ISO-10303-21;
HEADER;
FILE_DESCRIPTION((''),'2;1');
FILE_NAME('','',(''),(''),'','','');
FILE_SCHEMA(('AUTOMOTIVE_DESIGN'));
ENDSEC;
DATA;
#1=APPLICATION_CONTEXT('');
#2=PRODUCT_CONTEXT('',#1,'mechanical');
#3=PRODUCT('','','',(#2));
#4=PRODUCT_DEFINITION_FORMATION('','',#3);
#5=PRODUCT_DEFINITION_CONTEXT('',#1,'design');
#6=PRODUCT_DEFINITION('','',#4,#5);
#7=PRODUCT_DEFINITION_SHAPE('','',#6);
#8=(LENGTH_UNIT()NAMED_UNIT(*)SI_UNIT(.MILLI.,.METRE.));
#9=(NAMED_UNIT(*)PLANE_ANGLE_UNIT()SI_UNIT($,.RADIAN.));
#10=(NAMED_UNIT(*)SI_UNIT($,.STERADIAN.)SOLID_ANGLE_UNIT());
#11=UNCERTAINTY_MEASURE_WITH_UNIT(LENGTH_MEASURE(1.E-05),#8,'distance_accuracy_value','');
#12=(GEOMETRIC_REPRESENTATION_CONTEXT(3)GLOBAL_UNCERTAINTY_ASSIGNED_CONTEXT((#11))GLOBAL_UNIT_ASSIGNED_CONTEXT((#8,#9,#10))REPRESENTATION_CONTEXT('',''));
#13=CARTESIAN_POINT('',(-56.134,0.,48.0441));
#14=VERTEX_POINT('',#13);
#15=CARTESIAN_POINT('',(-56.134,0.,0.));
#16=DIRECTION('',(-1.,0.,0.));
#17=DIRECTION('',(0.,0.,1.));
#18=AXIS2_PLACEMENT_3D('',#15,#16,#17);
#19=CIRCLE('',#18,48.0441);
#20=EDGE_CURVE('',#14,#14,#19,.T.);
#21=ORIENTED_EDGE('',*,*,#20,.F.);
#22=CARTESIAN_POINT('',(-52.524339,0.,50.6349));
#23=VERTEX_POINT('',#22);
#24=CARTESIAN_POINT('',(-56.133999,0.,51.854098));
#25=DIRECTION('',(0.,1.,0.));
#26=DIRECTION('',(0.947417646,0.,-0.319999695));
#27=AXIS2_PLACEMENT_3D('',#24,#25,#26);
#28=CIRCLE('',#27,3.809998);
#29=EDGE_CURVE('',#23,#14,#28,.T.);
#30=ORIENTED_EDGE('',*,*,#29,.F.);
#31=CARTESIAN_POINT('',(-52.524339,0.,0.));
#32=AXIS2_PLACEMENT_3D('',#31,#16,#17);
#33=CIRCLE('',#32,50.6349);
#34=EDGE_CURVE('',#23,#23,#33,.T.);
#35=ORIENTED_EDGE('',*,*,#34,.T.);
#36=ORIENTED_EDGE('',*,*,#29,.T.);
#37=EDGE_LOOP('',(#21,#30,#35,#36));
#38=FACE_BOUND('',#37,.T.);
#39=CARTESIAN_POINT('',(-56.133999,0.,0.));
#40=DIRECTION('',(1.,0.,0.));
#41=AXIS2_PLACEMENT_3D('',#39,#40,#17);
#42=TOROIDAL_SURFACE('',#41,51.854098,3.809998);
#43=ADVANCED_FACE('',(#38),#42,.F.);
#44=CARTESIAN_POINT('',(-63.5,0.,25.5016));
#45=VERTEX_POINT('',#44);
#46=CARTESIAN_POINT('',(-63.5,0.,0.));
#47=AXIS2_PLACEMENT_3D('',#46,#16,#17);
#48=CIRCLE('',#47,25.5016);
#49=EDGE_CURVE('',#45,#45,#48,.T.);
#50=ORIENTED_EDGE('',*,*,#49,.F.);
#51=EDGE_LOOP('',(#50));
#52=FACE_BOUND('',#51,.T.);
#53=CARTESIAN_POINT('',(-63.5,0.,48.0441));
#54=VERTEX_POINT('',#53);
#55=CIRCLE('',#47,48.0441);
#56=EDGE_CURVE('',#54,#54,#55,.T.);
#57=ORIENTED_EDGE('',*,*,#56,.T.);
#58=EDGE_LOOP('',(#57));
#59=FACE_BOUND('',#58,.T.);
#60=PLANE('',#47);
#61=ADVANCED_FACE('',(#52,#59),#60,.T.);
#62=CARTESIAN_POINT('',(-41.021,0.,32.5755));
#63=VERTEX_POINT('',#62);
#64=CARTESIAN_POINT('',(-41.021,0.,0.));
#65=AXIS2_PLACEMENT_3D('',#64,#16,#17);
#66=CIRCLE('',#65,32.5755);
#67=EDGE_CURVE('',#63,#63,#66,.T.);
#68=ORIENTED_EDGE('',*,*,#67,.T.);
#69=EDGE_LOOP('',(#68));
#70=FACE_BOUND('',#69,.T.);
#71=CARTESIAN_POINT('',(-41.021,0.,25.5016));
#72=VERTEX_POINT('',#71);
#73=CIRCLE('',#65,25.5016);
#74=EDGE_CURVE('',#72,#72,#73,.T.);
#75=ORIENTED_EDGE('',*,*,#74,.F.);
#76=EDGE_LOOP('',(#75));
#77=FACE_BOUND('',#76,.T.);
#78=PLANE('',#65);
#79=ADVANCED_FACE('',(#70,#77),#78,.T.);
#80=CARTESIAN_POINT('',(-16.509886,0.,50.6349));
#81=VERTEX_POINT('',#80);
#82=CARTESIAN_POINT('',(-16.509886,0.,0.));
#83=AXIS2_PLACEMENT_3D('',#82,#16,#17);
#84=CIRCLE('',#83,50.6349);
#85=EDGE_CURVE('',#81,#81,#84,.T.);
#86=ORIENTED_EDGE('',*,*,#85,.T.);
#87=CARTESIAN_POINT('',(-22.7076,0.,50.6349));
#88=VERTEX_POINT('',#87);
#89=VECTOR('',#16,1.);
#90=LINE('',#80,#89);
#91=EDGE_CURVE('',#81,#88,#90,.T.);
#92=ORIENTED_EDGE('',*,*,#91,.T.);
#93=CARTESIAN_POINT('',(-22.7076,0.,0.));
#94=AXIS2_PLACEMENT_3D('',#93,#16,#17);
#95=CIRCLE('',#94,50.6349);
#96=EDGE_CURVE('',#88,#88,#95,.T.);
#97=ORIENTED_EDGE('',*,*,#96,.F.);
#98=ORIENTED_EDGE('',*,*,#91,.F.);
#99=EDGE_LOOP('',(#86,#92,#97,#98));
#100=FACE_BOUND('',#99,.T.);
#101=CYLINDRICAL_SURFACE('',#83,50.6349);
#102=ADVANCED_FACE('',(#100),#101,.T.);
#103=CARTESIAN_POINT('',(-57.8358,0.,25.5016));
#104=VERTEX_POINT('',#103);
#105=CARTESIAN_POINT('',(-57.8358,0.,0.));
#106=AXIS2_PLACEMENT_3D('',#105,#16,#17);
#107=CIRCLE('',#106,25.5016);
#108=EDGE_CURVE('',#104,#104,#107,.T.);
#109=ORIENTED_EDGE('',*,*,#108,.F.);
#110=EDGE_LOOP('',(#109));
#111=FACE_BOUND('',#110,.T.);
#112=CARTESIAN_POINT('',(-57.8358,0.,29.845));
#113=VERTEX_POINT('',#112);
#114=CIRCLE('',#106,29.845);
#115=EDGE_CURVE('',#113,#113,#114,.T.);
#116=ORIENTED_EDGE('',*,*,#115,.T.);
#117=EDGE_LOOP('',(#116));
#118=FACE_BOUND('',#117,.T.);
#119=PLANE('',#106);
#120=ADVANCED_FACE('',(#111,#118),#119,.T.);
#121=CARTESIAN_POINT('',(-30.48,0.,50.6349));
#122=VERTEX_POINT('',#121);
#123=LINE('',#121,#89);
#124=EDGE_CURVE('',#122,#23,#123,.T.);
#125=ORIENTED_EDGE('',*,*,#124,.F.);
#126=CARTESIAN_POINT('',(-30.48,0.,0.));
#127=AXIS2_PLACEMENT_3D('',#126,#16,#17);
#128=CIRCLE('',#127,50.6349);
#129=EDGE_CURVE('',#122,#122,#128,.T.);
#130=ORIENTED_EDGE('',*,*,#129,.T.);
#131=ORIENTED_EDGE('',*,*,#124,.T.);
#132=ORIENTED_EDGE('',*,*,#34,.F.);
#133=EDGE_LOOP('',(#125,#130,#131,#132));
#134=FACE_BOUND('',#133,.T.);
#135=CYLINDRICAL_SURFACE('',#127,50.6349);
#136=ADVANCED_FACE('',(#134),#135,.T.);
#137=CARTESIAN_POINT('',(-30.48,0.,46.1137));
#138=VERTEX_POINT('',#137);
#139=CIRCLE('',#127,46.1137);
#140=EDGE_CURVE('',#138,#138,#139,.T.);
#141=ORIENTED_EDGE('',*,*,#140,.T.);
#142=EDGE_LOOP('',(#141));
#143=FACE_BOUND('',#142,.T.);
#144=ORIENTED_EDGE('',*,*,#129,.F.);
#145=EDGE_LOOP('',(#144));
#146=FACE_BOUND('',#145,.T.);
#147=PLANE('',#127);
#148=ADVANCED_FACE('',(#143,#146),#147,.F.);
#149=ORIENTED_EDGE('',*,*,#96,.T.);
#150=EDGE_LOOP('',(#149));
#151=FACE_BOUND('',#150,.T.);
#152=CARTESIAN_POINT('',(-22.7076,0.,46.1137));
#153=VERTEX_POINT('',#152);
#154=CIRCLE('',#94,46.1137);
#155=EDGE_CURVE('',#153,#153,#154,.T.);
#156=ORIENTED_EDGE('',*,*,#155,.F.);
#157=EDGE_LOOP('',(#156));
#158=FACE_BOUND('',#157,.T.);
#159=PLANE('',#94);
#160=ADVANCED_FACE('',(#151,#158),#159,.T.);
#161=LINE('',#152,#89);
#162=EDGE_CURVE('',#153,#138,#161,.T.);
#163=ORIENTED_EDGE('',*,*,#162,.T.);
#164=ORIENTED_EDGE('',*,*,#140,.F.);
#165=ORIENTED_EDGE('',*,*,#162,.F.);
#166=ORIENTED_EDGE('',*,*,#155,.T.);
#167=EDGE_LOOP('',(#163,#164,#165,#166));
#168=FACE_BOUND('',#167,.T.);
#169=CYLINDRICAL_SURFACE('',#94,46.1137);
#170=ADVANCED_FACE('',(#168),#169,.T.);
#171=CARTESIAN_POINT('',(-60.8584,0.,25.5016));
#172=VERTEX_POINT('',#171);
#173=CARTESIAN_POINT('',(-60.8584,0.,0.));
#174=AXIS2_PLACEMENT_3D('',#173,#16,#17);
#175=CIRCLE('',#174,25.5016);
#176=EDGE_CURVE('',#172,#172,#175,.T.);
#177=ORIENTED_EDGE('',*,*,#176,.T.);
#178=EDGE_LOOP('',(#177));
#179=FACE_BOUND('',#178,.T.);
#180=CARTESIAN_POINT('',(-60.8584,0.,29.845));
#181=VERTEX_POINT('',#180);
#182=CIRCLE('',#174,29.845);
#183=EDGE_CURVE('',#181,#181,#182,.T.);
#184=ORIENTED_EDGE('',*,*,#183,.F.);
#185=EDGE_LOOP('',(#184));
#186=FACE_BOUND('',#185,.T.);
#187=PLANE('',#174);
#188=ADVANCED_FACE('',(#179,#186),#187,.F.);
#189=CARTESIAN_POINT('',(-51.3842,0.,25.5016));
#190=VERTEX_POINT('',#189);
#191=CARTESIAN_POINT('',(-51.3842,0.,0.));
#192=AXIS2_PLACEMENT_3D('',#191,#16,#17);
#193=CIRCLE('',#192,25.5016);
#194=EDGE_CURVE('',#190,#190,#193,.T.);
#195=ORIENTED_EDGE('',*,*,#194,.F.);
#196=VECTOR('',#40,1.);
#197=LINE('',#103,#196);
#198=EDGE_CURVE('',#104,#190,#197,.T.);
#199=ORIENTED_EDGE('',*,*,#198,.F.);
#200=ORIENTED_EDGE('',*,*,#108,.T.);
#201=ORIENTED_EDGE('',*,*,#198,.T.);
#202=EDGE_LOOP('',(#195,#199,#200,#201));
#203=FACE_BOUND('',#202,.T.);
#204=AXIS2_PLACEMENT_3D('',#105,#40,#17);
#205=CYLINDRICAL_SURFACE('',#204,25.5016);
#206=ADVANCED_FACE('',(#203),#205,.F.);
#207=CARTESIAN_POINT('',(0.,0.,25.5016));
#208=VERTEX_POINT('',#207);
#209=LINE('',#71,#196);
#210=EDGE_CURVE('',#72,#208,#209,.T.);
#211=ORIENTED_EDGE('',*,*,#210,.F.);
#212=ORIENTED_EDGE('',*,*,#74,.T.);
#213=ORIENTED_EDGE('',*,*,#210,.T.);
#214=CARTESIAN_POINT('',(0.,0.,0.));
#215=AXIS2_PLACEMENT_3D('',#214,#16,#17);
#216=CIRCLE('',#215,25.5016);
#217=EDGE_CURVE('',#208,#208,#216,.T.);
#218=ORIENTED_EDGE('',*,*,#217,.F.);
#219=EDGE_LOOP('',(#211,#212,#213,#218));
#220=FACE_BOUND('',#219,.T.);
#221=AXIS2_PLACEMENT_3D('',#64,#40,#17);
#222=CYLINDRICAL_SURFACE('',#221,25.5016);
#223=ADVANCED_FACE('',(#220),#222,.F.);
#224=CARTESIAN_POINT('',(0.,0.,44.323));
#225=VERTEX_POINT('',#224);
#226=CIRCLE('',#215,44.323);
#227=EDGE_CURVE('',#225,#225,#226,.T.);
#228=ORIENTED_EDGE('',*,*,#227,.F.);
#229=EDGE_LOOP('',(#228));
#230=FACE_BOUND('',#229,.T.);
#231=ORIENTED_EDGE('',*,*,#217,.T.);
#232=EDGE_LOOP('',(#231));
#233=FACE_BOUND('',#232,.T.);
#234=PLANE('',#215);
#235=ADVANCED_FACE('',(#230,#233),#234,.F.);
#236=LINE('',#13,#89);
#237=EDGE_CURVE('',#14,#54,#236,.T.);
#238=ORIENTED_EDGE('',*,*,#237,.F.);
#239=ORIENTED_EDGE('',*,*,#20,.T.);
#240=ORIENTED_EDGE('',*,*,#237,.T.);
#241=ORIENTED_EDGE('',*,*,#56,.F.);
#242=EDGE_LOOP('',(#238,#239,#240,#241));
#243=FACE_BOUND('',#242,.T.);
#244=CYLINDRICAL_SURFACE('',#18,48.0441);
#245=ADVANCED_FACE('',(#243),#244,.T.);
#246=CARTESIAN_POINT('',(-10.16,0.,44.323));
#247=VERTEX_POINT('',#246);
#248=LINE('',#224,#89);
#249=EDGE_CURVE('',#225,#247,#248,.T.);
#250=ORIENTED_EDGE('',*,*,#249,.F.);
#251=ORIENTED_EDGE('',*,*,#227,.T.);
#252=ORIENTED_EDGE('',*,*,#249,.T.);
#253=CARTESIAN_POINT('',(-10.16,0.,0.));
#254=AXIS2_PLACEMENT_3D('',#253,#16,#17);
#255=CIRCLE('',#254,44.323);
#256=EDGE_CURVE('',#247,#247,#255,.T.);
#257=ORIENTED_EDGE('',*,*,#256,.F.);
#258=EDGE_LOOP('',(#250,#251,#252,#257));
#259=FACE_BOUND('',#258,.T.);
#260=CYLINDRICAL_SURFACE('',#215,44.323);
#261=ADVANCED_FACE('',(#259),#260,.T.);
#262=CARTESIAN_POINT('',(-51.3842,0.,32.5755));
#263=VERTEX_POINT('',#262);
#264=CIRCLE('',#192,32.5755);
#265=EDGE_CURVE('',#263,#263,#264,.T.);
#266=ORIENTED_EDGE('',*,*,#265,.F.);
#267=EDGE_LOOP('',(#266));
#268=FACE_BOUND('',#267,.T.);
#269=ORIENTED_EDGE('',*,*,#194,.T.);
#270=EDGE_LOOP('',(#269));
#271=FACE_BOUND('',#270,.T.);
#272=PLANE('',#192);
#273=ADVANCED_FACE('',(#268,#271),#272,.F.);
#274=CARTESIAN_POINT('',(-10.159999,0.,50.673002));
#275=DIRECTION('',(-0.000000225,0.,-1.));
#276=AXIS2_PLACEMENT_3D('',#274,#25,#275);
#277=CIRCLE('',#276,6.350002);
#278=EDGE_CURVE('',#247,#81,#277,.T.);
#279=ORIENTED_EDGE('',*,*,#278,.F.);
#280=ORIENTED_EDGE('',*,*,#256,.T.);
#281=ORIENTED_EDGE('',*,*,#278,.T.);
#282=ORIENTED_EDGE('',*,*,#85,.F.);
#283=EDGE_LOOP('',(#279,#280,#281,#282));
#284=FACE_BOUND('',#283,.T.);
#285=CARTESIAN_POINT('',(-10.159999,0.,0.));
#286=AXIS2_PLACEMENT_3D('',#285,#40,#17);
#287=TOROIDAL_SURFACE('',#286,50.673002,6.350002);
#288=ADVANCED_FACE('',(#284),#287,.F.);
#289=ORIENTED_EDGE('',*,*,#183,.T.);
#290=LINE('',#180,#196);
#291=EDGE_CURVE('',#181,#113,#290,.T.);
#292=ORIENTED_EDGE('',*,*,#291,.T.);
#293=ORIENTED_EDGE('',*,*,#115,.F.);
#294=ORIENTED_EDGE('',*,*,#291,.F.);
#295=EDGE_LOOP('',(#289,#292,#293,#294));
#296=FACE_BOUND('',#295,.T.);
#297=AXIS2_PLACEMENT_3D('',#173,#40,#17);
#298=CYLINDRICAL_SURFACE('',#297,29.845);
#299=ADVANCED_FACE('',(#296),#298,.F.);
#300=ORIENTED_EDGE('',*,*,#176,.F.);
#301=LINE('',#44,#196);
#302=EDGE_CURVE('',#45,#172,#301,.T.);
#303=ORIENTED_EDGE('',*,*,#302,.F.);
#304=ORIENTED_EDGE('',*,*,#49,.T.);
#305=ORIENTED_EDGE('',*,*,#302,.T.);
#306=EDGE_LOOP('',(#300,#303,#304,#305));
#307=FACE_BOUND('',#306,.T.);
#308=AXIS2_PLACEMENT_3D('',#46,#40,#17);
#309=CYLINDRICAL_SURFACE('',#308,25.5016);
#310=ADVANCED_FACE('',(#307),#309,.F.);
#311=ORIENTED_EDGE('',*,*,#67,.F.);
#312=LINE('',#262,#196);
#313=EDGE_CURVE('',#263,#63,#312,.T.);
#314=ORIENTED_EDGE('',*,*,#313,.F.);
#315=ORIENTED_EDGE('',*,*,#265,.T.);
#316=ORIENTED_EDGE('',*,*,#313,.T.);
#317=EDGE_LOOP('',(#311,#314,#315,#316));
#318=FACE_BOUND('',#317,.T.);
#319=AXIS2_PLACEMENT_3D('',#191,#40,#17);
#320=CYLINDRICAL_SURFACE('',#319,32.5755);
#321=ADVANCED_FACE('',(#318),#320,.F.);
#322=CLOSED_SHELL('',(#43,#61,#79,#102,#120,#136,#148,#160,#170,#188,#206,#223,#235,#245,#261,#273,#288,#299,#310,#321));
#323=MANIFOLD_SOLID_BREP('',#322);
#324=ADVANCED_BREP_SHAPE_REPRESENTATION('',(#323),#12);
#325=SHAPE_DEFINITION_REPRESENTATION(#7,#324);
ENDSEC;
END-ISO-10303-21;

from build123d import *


with BuildPart() as f1:
    # F0 (on Front) → F1 (revolve)
    with BuildSketch(Plane.XZ):
        with BuildLine():
            Line((-41.021, 25.5016), (0, 25.5016))
            Line((0, 25.5016), (0, 44.323))
            Line((0, 44.323), (-10.16, 44.323))
            ThreePointArc((-10.16, 44.323), (-14.636637, 46.169422), (-16.509886, 50.6349))
            Line((-16.509886, 50.6349), (-16.51, 50.6349))
            Line((-16.51, 50.6349), (-22.7076, 50.6349))
            Line((-22.7076, 50.6349), (-22.7076, 46.1137))
            Line((-22.7076, 46.1137), (-30.48, 46.1137))
            Line((-30.48, 46.1137), (-30.48, 50.6349))
            Line((-30.48, 50.6349), (-52.324, 50.6349))
            Line((-52.324, 50.6349), (-52.524339, 50.6349))
            ThreePointArc((-52.524339, 50.6349), (-53.912407, 48.758841), (-56.134, 48.0441))
            Line((-56.134, 48.0441), (-63.5, 48.0441))
            Line((-63.5, 48.0441), (-63.5, 25.5016))
            Line((-63.5, 25.5016), (-60.8584, 25.5016))
            Line((-60.8584, 25.5016), (-60.8584, 29.845))
            Line((-60.8584, 29.845), (-57.8358, 29.845))
            Line((-57.8358, 29.845), (-57.8358, 25.5016))
            Line((-57.8358, 25.5016), (-51.3842, 25.5016))
            Line((-51.3842, 25.5016), (-51.3842, 32.5755))
            Line((-51.3842, 32.5755), (-41.021, 32.5755))
            Line((-41.021, 32.5755), (-41.021, 25.5016))
        make_face()
    revolve(axis=Axis((-40.4241, 0, 0), (-1, 0, 0)))


solid = f1.part
